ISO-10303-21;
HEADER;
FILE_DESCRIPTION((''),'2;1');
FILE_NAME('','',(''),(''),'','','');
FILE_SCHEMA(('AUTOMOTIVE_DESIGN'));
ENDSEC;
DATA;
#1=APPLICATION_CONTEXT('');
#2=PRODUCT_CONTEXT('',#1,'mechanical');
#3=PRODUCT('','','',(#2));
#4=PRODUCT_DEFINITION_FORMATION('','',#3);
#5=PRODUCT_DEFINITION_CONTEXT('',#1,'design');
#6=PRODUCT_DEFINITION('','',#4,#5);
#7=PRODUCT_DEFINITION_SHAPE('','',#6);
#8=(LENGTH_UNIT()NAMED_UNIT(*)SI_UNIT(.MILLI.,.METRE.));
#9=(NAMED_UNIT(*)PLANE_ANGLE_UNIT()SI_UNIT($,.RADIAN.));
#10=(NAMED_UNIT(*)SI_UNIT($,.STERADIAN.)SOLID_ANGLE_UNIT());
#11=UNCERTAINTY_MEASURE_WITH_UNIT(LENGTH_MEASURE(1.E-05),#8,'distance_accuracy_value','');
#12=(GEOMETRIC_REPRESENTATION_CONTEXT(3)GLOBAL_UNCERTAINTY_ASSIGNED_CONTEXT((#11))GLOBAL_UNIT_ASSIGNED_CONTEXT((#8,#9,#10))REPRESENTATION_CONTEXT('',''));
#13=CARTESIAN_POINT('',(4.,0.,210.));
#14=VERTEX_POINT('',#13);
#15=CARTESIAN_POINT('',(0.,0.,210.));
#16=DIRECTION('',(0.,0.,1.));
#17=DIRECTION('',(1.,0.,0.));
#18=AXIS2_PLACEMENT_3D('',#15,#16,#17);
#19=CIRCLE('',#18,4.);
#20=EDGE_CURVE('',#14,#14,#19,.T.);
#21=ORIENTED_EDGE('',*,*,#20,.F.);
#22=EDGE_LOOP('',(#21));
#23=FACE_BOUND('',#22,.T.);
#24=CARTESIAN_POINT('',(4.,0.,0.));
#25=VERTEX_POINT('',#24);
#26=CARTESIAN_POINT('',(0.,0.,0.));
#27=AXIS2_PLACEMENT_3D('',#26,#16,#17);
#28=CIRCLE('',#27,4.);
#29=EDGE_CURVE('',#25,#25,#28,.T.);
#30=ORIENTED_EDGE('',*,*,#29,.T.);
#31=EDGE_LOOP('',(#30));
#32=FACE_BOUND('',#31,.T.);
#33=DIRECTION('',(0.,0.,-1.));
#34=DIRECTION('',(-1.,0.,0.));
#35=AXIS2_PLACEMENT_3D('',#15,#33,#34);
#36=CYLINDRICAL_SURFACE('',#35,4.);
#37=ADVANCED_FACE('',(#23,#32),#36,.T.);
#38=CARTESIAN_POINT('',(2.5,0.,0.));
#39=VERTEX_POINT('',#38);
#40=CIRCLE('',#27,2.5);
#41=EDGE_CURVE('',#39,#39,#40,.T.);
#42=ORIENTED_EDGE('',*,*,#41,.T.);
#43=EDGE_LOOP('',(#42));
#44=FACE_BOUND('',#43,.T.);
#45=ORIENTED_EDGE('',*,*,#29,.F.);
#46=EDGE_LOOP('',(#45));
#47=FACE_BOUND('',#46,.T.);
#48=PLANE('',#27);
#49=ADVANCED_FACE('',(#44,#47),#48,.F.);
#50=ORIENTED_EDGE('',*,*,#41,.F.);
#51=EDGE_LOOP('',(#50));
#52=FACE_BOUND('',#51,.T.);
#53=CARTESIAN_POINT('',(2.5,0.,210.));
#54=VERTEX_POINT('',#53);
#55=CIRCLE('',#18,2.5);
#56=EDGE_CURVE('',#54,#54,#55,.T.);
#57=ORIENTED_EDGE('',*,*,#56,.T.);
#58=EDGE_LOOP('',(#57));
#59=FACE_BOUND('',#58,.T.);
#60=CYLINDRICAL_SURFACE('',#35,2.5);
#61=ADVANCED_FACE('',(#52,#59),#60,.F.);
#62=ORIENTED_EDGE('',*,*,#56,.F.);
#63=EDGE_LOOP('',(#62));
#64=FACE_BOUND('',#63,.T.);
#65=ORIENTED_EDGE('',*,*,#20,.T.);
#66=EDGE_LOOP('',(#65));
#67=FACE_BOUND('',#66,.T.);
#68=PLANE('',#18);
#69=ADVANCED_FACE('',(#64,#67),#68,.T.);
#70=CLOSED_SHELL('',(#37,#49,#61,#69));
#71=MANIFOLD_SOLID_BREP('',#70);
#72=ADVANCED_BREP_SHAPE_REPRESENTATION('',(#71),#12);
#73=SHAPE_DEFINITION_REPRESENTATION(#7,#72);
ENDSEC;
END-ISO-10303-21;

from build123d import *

# Parameters (mm, degrees)
SKETCH_1_R      = 4
SKETCH_1_R_2    = 2.5
EXTRUDE_1_DEPTH = 210


with BuildPart() as part:
    # 草图1 → 凸台-拉伸1 (new body)
    with BuildSketch(Plane.XY):
        Circle(SKETCH_1_R)
        Circle(SKETCH_1_R_2, mode=Mode.SUBTRACT)
    extrude(amount=EXTRUDE_1_DEPTH)


solid = part.part
